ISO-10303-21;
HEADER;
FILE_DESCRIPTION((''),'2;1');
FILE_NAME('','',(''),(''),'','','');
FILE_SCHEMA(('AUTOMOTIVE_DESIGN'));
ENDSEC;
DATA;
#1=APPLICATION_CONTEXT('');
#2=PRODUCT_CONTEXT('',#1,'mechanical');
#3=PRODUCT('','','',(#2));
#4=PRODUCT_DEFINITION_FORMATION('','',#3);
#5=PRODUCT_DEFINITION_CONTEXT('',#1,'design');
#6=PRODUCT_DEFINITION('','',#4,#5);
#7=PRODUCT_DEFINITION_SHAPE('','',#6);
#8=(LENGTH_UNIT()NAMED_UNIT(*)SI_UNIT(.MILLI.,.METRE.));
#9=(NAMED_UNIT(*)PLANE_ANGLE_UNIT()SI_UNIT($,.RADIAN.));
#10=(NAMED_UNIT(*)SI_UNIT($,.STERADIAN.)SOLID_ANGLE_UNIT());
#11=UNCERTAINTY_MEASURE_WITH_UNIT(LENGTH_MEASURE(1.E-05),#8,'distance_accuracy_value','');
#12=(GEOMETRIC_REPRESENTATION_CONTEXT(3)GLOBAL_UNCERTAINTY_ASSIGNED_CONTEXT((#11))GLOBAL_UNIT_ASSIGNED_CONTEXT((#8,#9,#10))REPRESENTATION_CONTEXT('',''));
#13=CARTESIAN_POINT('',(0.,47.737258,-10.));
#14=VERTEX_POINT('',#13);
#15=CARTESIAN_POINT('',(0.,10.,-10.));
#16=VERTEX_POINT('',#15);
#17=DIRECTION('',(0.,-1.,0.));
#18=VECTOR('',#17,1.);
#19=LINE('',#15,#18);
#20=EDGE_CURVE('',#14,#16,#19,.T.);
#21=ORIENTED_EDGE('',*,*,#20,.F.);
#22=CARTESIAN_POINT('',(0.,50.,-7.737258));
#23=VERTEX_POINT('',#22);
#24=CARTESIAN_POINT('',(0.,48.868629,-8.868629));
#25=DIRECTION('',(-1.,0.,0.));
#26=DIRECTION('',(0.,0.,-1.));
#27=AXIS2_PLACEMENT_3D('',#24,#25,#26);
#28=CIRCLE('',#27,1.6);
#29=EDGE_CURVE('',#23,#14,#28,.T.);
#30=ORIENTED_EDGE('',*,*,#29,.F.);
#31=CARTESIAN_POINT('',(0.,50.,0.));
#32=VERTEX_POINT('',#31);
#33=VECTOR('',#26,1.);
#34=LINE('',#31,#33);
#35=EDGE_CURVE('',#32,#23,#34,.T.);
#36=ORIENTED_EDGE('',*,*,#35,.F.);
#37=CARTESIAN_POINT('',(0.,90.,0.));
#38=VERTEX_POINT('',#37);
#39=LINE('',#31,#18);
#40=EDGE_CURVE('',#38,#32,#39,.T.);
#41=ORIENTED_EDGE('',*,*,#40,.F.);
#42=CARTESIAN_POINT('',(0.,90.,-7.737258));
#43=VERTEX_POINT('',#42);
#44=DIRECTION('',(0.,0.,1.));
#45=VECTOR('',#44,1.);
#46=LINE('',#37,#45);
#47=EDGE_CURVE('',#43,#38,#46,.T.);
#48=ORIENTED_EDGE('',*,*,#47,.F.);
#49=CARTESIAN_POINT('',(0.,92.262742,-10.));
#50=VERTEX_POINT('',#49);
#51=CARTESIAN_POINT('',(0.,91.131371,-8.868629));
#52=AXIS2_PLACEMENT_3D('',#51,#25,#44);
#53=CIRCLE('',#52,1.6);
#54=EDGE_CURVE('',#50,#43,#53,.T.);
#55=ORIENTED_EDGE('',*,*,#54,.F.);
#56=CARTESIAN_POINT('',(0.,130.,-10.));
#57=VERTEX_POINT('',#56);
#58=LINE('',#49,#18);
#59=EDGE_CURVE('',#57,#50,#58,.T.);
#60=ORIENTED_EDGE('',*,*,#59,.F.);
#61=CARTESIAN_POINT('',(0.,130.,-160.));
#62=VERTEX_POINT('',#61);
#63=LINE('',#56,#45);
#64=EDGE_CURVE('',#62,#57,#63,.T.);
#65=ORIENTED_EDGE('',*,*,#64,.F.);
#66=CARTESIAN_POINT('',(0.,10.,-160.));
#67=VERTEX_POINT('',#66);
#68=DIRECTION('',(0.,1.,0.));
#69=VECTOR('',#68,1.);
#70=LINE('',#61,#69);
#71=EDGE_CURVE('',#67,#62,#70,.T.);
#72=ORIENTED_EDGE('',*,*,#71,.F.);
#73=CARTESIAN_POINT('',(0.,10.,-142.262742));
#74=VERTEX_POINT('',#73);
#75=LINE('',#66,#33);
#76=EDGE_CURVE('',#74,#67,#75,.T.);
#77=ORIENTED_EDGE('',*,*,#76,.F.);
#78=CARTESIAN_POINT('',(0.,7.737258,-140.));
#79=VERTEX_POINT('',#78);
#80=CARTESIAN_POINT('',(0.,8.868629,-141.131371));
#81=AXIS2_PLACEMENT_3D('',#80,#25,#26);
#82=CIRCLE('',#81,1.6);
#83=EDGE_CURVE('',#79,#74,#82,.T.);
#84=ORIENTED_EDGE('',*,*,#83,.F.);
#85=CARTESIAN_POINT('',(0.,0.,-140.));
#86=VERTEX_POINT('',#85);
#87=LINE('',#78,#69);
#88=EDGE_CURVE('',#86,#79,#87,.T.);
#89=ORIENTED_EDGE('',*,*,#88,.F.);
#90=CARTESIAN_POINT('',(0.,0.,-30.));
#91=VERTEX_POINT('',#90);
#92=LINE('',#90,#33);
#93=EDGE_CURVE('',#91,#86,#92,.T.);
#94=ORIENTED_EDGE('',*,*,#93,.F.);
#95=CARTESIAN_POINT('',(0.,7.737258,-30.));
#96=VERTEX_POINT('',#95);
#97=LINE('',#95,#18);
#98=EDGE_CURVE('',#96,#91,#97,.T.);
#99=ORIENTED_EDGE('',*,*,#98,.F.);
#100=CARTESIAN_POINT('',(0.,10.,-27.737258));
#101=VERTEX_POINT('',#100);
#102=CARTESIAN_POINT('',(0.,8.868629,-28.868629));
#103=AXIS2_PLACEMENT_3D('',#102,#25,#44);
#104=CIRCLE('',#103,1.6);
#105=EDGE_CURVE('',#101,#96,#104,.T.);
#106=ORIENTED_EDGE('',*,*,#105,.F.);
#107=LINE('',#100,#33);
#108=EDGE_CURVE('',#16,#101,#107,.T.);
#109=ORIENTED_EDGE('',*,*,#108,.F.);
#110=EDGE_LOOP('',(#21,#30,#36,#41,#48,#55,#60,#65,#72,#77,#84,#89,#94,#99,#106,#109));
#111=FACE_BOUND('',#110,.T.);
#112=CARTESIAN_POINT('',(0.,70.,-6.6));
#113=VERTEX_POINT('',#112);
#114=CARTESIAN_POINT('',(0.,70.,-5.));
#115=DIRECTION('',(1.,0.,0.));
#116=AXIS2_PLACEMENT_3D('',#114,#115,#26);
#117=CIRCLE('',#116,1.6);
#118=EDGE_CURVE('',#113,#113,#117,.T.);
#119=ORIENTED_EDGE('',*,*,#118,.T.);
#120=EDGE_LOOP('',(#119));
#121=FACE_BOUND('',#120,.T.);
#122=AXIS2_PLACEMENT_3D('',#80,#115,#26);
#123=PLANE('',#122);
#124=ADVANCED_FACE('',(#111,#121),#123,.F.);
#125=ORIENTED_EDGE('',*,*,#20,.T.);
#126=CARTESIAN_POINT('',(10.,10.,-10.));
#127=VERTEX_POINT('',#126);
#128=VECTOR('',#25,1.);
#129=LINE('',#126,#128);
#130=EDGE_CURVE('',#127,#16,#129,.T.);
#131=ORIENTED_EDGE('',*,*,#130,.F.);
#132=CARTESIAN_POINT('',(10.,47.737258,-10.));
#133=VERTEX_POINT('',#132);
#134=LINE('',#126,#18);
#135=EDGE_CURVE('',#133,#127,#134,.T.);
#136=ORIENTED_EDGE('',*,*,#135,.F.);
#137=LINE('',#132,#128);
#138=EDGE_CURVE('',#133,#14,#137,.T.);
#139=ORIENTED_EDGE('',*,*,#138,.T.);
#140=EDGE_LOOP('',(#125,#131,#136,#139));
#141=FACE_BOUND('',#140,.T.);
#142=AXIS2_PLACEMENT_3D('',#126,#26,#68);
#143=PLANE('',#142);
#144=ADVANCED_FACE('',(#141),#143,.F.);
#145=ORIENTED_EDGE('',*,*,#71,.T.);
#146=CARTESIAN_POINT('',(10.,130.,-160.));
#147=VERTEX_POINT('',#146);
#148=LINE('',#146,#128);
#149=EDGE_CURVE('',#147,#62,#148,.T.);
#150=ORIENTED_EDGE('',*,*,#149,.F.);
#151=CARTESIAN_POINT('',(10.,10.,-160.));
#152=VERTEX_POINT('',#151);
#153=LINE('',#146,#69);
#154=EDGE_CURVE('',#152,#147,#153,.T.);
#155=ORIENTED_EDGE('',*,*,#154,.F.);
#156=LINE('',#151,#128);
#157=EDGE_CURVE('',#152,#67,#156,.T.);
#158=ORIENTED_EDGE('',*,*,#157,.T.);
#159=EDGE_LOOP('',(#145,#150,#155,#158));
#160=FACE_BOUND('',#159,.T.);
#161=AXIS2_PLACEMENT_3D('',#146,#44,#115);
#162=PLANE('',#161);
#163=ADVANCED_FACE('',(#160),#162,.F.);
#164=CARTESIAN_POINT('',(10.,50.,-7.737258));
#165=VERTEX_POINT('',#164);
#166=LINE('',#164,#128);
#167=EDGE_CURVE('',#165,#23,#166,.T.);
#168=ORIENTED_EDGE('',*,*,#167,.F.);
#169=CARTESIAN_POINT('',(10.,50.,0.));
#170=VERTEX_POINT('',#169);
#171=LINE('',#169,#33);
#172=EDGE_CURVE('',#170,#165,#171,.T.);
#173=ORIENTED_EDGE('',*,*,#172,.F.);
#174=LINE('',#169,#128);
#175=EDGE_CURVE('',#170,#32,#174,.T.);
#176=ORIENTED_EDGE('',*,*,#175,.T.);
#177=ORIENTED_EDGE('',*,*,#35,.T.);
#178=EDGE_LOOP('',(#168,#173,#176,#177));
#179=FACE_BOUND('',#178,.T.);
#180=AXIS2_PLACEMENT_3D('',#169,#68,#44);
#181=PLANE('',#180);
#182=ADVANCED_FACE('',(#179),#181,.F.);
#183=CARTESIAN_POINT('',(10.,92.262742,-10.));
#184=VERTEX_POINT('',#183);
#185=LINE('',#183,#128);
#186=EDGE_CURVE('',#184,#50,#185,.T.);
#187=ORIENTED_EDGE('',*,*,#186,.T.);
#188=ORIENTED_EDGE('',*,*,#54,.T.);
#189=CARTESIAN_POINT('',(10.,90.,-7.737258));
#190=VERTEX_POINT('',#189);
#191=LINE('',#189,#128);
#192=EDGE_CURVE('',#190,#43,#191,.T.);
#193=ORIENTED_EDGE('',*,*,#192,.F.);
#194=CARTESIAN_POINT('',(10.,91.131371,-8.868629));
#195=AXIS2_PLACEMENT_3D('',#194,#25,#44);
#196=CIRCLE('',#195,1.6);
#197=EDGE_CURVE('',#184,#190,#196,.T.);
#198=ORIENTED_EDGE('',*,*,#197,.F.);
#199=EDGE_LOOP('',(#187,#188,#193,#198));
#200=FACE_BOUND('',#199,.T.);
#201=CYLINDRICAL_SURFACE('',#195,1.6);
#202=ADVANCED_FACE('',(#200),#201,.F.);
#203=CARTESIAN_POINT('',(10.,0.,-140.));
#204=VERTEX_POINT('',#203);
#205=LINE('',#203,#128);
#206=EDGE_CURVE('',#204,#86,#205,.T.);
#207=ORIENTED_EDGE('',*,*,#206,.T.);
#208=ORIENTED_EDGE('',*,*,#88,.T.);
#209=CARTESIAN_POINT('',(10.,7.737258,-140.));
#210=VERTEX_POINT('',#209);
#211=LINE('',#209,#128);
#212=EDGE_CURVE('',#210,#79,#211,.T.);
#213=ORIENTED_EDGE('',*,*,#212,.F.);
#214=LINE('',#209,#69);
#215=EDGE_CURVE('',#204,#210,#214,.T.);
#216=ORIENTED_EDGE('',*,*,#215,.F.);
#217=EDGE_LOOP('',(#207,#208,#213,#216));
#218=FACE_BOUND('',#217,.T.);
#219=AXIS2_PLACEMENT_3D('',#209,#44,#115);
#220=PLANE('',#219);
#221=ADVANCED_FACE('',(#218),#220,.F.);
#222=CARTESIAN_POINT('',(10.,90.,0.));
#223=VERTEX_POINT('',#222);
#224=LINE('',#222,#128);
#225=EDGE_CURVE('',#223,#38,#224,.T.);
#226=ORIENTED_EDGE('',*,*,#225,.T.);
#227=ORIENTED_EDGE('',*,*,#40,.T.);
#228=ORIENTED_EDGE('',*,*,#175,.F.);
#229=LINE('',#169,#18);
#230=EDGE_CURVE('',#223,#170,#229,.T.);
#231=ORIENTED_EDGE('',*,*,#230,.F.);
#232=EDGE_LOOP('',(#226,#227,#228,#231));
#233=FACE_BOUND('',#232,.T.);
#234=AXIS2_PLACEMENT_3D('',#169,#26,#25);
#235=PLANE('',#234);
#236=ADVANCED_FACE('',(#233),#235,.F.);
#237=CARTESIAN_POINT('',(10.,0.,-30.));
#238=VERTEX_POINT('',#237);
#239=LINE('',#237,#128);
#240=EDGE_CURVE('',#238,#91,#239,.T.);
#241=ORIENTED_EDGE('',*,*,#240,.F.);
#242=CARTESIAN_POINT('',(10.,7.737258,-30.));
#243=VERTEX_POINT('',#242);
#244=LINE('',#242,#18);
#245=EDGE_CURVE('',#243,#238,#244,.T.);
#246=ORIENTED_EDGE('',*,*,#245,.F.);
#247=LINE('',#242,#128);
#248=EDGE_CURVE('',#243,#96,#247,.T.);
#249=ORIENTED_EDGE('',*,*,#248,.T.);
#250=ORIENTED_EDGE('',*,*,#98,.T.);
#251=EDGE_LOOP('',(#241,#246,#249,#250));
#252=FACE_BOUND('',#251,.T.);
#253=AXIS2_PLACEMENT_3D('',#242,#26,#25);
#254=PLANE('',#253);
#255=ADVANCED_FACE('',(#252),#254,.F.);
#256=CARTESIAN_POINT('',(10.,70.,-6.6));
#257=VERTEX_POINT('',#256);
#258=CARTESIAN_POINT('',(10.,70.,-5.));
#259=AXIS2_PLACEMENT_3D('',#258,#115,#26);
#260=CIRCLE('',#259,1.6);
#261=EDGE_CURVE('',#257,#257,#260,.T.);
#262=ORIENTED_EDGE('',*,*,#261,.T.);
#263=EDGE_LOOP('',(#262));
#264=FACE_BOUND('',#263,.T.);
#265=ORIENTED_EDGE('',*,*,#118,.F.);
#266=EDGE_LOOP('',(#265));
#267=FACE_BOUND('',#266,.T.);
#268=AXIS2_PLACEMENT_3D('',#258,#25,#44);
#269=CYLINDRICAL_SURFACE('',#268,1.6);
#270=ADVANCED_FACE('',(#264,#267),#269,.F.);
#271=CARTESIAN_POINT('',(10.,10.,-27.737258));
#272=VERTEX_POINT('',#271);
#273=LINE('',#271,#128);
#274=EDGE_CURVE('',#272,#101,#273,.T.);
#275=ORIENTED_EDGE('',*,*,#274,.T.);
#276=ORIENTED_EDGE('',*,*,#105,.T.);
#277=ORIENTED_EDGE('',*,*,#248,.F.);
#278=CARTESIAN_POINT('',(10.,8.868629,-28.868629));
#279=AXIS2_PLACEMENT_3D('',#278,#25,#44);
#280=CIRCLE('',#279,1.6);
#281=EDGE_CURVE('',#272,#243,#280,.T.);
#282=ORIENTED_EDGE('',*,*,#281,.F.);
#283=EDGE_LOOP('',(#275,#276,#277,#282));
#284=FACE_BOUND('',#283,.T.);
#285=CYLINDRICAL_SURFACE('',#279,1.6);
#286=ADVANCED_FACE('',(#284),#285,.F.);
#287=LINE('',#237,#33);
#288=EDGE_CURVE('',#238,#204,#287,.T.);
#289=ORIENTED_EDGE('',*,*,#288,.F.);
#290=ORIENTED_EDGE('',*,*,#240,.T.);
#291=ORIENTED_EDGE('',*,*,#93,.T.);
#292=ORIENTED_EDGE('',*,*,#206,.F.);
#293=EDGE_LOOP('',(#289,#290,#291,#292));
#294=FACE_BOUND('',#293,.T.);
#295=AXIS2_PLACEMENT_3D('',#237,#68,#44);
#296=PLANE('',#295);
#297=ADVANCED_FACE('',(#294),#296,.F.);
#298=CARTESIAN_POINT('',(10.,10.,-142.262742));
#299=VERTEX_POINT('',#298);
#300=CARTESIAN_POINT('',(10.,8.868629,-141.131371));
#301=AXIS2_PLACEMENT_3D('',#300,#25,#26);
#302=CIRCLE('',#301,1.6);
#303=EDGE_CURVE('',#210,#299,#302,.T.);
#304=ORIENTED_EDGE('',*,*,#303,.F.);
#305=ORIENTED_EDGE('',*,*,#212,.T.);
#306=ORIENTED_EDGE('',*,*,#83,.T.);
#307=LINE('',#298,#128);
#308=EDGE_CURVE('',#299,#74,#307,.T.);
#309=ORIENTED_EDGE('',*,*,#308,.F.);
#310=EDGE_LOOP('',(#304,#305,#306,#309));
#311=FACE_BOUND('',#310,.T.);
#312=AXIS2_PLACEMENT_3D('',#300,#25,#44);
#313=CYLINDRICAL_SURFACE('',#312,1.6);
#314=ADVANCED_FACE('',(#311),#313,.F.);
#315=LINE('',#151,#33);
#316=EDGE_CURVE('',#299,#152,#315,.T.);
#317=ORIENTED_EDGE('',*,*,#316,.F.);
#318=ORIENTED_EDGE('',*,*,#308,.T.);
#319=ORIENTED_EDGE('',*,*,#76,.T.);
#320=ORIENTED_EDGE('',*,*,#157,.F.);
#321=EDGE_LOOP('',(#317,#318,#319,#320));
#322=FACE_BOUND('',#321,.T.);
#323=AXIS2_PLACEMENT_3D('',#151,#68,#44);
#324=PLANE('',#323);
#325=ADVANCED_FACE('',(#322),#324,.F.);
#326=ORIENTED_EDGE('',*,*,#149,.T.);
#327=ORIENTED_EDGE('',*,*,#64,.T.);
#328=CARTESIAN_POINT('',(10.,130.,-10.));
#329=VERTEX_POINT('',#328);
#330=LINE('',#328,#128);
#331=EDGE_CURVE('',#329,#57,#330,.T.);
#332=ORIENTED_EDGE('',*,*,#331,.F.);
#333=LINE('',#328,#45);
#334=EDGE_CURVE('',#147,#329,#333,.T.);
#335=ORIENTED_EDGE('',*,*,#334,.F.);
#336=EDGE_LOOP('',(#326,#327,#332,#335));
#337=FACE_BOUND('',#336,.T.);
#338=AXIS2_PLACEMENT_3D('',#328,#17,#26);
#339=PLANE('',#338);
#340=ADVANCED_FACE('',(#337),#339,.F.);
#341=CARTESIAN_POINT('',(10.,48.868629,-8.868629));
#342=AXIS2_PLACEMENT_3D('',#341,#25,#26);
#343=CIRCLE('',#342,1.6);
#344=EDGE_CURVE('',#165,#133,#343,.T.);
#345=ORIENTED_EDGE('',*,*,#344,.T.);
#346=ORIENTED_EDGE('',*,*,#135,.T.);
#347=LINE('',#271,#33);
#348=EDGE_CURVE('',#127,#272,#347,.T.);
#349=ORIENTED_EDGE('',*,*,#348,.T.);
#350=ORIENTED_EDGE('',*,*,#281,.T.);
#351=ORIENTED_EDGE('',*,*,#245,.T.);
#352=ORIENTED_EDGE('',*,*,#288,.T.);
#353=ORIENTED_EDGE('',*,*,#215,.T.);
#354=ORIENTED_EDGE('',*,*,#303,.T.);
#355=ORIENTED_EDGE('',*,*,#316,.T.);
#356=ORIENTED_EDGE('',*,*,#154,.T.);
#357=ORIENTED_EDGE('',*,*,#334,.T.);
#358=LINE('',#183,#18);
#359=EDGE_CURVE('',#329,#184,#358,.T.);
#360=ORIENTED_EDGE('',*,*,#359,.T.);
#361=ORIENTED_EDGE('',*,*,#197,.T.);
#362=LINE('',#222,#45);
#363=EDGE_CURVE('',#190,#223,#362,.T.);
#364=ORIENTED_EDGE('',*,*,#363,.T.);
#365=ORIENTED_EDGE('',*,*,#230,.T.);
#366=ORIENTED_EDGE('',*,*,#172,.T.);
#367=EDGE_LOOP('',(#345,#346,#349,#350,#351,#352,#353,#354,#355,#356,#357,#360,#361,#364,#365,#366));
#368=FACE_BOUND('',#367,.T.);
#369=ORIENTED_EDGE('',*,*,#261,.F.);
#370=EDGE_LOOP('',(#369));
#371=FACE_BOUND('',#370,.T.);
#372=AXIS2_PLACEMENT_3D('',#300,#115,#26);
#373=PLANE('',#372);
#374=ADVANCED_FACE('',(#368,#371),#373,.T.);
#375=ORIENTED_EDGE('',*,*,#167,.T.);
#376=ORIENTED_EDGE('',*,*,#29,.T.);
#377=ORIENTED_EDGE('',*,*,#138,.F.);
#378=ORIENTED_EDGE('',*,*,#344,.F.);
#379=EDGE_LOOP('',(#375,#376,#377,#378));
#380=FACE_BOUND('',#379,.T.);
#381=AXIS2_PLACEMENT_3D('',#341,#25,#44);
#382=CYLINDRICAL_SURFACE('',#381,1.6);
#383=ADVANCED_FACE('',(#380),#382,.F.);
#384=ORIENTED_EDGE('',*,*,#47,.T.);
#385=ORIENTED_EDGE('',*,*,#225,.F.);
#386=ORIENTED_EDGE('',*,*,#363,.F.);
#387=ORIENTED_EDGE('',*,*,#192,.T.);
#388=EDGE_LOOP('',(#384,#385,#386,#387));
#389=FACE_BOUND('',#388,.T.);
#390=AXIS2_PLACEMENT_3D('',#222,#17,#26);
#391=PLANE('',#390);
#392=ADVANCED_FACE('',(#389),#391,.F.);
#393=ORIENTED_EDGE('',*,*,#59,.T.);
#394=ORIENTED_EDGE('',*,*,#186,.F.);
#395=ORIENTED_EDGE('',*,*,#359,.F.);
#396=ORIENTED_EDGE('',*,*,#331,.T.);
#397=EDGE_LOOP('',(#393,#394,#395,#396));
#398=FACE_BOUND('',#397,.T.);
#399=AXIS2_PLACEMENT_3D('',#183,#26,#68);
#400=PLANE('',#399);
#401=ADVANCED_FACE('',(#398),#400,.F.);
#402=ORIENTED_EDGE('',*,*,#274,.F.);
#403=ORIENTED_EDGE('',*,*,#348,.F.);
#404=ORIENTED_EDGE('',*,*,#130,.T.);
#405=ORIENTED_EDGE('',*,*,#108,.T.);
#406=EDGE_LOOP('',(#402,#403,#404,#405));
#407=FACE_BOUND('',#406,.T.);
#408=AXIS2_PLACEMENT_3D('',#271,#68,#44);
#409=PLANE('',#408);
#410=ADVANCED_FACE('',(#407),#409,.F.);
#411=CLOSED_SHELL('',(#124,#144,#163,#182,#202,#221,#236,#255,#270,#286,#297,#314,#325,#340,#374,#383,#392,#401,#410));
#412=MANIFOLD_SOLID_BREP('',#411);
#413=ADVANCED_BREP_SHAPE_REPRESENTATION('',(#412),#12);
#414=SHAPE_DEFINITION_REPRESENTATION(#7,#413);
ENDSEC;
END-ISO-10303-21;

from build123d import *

# Parameters (mm, degrees)
ESQUISSE1_R      = 1.6
EXTRUSION1_DEPTH = 10


with BuildPart() as part:
    # Esquisse1 → Extrusion1 (new body)
    with BuildSketch(Plane(origin=(0, 0, 0), x_dir=(0, 0, -1), z_dir=(1, 0, 0))):
        with BuildLine():
            Line((140, 7.7372583), (140, 0))
            Line((140, 0), (30, 0))
            Line((30, 0), (30, 7.7372583))
            ThreePointArc((30, 7.7372583), (30, 10), (27.7372583, 10))
            Line((27.7372583, 10), (10, 10))
            Line((10, 10), (10, 47.7372583))
            ThreePointArc((10, 47.7372583), (10, 50), (7.7372583, 50))
            Line((7.7372583, 50), (0, 50))
            Line((0, 50), (0, 90))
            Line((0, 90), (7.7372583, 90))
            ThreePointArc((7.7372583, 90), (10, 90), (10, 92.2627417))
            Line((10, 92.2627417), (10, 130))
            Line((10, 130), (160, 130))
            Line((160, 130), (160, 10))
            Line((160, 10), (142.2627417, 10))
            ThreePointArc((142.2627417, 10), (140, 10), (140, 7.7372583))
        make_face()
        with Locations((5, 70)):
            Circle(ESQUISSE1_R, mode=Mode.SUBTRACT)
    extrude(amount=EXTRUSION1_DEPTH)


solid = part.part
